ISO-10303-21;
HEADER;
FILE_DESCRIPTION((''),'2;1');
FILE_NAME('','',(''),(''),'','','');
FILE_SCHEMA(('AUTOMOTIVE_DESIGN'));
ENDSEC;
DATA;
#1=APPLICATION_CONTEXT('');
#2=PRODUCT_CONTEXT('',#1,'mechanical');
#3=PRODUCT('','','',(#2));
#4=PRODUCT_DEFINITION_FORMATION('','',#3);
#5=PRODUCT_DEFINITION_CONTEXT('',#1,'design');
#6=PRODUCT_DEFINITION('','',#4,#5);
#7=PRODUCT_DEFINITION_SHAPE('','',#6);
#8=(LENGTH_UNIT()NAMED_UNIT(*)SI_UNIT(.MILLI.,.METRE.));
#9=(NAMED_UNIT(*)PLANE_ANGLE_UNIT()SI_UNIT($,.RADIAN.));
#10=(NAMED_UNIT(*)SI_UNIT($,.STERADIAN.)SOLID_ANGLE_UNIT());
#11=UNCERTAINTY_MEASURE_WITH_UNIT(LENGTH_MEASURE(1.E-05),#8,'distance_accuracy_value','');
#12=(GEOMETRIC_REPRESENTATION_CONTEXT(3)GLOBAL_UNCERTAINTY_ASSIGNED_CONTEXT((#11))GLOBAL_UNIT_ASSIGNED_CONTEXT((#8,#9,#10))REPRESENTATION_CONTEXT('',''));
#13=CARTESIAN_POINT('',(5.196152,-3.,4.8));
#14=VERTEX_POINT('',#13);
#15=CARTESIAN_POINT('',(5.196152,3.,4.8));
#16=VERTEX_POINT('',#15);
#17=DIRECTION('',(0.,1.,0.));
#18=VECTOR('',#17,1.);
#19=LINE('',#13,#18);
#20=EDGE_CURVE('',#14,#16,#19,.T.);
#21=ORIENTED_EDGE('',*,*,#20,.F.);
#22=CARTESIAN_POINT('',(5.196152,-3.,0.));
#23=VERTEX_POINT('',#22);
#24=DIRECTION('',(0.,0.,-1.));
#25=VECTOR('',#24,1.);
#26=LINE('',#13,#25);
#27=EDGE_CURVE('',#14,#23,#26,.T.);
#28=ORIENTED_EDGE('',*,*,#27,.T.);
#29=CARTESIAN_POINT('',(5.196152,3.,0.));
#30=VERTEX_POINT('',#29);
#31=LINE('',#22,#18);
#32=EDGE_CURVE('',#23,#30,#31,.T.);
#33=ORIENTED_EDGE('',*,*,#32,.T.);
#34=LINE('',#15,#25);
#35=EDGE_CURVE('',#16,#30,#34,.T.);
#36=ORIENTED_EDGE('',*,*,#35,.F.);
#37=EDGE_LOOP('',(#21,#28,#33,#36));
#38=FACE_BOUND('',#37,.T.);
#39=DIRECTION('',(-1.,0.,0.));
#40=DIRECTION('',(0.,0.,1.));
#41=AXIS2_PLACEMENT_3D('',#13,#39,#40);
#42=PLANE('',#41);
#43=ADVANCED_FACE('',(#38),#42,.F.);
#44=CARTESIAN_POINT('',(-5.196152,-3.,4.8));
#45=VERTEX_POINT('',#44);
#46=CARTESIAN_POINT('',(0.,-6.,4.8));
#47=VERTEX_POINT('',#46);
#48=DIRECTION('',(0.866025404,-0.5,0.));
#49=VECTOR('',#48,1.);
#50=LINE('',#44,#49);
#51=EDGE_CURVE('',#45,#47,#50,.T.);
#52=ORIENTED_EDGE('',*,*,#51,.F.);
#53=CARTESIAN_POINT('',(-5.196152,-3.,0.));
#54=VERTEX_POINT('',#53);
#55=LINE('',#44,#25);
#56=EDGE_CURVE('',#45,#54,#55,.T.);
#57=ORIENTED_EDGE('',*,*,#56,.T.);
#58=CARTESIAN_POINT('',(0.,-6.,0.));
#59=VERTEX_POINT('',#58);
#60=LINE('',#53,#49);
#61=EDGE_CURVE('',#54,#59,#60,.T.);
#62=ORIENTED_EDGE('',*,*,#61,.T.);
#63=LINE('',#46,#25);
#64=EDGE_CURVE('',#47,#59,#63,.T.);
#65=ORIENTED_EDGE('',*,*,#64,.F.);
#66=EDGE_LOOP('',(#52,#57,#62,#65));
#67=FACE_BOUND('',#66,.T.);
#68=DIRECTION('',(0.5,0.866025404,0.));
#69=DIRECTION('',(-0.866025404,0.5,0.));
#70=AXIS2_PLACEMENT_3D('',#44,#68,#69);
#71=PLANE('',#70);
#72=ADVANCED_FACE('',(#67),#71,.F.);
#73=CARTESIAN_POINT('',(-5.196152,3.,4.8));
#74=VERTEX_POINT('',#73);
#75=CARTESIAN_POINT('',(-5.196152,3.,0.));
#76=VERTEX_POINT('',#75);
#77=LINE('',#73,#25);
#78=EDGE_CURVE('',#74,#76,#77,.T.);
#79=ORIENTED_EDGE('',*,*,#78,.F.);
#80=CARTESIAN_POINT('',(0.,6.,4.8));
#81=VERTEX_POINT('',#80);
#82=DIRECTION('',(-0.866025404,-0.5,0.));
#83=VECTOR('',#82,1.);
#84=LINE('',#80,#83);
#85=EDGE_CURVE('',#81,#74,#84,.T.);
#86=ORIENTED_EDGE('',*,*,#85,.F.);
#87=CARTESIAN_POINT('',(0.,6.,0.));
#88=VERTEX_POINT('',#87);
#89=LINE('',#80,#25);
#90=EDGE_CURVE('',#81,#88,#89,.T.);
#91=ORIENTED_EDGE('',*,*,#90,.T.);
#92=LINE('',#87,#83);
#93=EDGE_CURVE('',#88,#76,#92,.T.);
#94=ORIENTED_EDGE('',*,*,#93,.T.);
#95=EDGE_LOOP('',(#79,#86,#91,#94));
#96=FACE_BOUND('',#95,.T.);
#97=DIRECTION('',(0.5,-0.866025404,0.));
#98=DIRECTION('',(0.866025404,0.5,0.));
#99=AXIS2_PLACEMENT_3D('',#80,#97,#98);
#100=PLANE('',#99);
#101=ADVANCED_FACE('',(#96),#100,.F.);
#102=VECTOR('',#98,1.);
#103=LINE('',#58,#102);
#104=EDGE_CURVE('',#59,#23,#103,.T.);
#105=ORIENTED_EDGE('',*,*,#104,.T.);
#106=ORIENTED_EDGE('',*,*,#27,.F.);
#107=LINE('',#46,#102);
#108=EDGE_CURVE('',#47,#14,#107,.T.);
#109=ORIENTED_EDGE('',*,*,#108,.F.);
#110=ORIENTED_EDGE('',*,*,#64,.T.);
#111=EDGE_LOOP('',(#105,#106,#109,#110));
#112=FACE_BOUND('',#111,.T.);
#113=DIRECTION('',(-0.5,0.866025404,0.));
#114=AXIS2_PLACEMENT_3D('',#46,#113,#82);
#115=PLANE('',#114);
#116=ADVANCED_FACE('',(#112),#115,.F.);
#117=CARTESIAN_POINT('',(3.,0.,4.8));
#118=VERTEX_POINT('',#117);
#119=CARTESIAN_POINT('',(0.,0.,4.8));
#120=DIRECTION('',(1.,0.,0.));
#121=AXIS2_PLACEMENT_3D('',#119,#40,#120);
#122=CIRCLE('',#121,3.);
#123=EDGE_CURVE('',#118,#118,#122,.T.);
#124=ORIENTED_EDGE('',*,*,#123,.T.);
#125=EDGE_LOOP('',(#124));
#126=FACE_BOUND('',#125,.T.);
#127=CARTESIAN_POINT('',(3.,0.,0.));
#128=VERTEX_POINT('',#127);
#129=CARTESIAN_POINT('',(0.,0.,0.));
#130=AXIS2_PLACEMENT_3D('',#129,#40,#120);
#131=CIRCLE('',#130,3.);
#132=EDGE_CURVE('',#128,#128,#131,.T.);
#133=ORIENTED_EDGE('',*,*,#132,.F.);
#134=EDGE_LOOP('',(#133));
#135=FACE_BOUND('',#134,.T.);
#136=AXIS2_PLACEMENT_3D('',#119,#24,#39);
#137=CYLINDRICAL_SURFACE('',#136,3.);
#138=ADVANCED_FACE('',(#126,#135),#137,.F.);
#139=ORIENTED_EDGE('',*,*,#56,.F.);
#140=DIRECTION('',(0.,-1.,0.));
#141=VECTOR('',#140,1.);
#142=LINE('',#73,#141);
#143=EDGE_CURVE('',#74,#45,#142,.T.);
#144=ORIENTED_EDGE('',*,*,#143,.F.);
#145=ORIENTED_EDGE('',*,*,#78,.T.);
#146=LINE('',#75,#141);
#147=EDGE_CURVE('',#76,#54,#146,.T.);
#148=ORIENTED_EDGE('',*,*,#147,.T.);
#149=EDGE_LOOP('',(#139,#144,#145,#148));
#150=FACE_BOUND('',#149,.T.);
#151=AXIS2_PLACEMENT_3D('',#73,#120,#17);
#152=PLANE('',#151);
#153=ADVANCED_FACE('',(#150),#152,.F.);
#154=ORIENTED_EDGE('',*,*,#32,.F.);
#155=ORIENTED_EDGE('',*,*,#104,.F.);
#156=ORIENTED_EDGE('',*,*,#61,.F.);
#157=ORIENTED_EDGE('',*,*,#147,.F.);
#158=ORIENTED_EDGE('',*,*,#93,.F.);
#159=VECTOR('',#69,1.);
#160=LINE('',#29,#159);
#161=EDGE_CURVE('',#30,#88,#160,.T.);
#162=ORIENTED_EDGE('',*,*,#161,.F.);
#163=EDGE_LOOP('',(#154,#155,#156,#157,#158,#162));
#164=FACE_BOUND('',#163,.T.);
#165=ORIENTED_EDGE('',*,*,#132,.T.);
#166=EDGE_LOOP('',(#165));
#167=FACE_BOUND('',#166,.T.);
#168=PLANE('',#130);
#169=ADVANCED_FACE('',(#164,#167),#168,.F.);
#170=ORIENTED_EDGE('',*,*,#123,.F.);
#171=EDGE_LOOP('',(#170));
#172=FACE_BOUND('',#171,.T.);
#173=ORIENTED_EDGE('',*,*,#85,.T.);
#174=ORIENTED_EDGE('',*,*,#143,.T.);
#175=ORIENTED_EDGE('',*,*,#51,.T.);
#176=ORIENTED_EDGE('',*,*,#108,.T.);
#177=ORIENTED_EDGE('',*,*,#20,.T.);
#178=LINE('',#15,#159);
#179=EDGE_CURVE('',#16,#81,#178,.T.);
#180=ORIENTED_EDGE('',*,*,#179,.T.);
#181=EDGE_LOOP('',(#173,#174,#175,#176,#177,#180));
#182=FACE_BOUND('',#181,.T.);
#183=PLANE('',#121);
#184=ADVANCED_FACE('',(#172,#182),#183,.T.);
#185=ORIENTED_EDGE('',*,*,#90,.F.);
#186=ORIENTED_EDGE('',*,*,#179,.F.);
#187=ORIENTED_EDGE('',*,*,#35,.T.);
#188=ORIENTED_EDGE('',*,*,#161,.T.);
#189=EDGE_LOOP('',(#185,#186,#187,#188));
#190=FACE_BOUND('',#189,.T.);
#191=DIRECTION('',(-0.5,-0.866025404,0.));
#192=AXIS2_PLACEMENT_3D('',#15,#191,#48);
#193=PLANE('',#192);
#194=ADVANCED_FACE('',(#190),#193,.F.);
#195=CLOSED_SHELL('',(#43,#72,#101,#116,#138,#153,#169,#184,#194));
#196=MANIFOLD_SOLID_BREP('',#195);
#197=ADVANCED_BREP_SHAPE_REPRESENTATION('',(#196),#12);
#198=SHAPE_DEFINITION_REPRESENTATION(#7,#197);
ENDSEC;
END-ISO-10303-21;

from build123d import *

# Parameters (mm, degrees)
SKICA1_R                = 3
P_IDAT_VYSUNUT_M1_DEPTH = 4.8


with BuildPart() as part:
    # Skica1 → Přidat vysunutím1 (new body)
    with BuildSketch(Plane.XY):
        Polygon((0, 6), (-5.196152423, 3), (-5.196152423, -3), (0, -6), (5.196152423, -3), (5.196152423, 3), align=None)
        Circle(SKICA1_R, mode=Mode.SUBTRACT)
    extrude(amount=P_IDAT_VYSUNUT_M1_DEPTH)


solid = part.part
